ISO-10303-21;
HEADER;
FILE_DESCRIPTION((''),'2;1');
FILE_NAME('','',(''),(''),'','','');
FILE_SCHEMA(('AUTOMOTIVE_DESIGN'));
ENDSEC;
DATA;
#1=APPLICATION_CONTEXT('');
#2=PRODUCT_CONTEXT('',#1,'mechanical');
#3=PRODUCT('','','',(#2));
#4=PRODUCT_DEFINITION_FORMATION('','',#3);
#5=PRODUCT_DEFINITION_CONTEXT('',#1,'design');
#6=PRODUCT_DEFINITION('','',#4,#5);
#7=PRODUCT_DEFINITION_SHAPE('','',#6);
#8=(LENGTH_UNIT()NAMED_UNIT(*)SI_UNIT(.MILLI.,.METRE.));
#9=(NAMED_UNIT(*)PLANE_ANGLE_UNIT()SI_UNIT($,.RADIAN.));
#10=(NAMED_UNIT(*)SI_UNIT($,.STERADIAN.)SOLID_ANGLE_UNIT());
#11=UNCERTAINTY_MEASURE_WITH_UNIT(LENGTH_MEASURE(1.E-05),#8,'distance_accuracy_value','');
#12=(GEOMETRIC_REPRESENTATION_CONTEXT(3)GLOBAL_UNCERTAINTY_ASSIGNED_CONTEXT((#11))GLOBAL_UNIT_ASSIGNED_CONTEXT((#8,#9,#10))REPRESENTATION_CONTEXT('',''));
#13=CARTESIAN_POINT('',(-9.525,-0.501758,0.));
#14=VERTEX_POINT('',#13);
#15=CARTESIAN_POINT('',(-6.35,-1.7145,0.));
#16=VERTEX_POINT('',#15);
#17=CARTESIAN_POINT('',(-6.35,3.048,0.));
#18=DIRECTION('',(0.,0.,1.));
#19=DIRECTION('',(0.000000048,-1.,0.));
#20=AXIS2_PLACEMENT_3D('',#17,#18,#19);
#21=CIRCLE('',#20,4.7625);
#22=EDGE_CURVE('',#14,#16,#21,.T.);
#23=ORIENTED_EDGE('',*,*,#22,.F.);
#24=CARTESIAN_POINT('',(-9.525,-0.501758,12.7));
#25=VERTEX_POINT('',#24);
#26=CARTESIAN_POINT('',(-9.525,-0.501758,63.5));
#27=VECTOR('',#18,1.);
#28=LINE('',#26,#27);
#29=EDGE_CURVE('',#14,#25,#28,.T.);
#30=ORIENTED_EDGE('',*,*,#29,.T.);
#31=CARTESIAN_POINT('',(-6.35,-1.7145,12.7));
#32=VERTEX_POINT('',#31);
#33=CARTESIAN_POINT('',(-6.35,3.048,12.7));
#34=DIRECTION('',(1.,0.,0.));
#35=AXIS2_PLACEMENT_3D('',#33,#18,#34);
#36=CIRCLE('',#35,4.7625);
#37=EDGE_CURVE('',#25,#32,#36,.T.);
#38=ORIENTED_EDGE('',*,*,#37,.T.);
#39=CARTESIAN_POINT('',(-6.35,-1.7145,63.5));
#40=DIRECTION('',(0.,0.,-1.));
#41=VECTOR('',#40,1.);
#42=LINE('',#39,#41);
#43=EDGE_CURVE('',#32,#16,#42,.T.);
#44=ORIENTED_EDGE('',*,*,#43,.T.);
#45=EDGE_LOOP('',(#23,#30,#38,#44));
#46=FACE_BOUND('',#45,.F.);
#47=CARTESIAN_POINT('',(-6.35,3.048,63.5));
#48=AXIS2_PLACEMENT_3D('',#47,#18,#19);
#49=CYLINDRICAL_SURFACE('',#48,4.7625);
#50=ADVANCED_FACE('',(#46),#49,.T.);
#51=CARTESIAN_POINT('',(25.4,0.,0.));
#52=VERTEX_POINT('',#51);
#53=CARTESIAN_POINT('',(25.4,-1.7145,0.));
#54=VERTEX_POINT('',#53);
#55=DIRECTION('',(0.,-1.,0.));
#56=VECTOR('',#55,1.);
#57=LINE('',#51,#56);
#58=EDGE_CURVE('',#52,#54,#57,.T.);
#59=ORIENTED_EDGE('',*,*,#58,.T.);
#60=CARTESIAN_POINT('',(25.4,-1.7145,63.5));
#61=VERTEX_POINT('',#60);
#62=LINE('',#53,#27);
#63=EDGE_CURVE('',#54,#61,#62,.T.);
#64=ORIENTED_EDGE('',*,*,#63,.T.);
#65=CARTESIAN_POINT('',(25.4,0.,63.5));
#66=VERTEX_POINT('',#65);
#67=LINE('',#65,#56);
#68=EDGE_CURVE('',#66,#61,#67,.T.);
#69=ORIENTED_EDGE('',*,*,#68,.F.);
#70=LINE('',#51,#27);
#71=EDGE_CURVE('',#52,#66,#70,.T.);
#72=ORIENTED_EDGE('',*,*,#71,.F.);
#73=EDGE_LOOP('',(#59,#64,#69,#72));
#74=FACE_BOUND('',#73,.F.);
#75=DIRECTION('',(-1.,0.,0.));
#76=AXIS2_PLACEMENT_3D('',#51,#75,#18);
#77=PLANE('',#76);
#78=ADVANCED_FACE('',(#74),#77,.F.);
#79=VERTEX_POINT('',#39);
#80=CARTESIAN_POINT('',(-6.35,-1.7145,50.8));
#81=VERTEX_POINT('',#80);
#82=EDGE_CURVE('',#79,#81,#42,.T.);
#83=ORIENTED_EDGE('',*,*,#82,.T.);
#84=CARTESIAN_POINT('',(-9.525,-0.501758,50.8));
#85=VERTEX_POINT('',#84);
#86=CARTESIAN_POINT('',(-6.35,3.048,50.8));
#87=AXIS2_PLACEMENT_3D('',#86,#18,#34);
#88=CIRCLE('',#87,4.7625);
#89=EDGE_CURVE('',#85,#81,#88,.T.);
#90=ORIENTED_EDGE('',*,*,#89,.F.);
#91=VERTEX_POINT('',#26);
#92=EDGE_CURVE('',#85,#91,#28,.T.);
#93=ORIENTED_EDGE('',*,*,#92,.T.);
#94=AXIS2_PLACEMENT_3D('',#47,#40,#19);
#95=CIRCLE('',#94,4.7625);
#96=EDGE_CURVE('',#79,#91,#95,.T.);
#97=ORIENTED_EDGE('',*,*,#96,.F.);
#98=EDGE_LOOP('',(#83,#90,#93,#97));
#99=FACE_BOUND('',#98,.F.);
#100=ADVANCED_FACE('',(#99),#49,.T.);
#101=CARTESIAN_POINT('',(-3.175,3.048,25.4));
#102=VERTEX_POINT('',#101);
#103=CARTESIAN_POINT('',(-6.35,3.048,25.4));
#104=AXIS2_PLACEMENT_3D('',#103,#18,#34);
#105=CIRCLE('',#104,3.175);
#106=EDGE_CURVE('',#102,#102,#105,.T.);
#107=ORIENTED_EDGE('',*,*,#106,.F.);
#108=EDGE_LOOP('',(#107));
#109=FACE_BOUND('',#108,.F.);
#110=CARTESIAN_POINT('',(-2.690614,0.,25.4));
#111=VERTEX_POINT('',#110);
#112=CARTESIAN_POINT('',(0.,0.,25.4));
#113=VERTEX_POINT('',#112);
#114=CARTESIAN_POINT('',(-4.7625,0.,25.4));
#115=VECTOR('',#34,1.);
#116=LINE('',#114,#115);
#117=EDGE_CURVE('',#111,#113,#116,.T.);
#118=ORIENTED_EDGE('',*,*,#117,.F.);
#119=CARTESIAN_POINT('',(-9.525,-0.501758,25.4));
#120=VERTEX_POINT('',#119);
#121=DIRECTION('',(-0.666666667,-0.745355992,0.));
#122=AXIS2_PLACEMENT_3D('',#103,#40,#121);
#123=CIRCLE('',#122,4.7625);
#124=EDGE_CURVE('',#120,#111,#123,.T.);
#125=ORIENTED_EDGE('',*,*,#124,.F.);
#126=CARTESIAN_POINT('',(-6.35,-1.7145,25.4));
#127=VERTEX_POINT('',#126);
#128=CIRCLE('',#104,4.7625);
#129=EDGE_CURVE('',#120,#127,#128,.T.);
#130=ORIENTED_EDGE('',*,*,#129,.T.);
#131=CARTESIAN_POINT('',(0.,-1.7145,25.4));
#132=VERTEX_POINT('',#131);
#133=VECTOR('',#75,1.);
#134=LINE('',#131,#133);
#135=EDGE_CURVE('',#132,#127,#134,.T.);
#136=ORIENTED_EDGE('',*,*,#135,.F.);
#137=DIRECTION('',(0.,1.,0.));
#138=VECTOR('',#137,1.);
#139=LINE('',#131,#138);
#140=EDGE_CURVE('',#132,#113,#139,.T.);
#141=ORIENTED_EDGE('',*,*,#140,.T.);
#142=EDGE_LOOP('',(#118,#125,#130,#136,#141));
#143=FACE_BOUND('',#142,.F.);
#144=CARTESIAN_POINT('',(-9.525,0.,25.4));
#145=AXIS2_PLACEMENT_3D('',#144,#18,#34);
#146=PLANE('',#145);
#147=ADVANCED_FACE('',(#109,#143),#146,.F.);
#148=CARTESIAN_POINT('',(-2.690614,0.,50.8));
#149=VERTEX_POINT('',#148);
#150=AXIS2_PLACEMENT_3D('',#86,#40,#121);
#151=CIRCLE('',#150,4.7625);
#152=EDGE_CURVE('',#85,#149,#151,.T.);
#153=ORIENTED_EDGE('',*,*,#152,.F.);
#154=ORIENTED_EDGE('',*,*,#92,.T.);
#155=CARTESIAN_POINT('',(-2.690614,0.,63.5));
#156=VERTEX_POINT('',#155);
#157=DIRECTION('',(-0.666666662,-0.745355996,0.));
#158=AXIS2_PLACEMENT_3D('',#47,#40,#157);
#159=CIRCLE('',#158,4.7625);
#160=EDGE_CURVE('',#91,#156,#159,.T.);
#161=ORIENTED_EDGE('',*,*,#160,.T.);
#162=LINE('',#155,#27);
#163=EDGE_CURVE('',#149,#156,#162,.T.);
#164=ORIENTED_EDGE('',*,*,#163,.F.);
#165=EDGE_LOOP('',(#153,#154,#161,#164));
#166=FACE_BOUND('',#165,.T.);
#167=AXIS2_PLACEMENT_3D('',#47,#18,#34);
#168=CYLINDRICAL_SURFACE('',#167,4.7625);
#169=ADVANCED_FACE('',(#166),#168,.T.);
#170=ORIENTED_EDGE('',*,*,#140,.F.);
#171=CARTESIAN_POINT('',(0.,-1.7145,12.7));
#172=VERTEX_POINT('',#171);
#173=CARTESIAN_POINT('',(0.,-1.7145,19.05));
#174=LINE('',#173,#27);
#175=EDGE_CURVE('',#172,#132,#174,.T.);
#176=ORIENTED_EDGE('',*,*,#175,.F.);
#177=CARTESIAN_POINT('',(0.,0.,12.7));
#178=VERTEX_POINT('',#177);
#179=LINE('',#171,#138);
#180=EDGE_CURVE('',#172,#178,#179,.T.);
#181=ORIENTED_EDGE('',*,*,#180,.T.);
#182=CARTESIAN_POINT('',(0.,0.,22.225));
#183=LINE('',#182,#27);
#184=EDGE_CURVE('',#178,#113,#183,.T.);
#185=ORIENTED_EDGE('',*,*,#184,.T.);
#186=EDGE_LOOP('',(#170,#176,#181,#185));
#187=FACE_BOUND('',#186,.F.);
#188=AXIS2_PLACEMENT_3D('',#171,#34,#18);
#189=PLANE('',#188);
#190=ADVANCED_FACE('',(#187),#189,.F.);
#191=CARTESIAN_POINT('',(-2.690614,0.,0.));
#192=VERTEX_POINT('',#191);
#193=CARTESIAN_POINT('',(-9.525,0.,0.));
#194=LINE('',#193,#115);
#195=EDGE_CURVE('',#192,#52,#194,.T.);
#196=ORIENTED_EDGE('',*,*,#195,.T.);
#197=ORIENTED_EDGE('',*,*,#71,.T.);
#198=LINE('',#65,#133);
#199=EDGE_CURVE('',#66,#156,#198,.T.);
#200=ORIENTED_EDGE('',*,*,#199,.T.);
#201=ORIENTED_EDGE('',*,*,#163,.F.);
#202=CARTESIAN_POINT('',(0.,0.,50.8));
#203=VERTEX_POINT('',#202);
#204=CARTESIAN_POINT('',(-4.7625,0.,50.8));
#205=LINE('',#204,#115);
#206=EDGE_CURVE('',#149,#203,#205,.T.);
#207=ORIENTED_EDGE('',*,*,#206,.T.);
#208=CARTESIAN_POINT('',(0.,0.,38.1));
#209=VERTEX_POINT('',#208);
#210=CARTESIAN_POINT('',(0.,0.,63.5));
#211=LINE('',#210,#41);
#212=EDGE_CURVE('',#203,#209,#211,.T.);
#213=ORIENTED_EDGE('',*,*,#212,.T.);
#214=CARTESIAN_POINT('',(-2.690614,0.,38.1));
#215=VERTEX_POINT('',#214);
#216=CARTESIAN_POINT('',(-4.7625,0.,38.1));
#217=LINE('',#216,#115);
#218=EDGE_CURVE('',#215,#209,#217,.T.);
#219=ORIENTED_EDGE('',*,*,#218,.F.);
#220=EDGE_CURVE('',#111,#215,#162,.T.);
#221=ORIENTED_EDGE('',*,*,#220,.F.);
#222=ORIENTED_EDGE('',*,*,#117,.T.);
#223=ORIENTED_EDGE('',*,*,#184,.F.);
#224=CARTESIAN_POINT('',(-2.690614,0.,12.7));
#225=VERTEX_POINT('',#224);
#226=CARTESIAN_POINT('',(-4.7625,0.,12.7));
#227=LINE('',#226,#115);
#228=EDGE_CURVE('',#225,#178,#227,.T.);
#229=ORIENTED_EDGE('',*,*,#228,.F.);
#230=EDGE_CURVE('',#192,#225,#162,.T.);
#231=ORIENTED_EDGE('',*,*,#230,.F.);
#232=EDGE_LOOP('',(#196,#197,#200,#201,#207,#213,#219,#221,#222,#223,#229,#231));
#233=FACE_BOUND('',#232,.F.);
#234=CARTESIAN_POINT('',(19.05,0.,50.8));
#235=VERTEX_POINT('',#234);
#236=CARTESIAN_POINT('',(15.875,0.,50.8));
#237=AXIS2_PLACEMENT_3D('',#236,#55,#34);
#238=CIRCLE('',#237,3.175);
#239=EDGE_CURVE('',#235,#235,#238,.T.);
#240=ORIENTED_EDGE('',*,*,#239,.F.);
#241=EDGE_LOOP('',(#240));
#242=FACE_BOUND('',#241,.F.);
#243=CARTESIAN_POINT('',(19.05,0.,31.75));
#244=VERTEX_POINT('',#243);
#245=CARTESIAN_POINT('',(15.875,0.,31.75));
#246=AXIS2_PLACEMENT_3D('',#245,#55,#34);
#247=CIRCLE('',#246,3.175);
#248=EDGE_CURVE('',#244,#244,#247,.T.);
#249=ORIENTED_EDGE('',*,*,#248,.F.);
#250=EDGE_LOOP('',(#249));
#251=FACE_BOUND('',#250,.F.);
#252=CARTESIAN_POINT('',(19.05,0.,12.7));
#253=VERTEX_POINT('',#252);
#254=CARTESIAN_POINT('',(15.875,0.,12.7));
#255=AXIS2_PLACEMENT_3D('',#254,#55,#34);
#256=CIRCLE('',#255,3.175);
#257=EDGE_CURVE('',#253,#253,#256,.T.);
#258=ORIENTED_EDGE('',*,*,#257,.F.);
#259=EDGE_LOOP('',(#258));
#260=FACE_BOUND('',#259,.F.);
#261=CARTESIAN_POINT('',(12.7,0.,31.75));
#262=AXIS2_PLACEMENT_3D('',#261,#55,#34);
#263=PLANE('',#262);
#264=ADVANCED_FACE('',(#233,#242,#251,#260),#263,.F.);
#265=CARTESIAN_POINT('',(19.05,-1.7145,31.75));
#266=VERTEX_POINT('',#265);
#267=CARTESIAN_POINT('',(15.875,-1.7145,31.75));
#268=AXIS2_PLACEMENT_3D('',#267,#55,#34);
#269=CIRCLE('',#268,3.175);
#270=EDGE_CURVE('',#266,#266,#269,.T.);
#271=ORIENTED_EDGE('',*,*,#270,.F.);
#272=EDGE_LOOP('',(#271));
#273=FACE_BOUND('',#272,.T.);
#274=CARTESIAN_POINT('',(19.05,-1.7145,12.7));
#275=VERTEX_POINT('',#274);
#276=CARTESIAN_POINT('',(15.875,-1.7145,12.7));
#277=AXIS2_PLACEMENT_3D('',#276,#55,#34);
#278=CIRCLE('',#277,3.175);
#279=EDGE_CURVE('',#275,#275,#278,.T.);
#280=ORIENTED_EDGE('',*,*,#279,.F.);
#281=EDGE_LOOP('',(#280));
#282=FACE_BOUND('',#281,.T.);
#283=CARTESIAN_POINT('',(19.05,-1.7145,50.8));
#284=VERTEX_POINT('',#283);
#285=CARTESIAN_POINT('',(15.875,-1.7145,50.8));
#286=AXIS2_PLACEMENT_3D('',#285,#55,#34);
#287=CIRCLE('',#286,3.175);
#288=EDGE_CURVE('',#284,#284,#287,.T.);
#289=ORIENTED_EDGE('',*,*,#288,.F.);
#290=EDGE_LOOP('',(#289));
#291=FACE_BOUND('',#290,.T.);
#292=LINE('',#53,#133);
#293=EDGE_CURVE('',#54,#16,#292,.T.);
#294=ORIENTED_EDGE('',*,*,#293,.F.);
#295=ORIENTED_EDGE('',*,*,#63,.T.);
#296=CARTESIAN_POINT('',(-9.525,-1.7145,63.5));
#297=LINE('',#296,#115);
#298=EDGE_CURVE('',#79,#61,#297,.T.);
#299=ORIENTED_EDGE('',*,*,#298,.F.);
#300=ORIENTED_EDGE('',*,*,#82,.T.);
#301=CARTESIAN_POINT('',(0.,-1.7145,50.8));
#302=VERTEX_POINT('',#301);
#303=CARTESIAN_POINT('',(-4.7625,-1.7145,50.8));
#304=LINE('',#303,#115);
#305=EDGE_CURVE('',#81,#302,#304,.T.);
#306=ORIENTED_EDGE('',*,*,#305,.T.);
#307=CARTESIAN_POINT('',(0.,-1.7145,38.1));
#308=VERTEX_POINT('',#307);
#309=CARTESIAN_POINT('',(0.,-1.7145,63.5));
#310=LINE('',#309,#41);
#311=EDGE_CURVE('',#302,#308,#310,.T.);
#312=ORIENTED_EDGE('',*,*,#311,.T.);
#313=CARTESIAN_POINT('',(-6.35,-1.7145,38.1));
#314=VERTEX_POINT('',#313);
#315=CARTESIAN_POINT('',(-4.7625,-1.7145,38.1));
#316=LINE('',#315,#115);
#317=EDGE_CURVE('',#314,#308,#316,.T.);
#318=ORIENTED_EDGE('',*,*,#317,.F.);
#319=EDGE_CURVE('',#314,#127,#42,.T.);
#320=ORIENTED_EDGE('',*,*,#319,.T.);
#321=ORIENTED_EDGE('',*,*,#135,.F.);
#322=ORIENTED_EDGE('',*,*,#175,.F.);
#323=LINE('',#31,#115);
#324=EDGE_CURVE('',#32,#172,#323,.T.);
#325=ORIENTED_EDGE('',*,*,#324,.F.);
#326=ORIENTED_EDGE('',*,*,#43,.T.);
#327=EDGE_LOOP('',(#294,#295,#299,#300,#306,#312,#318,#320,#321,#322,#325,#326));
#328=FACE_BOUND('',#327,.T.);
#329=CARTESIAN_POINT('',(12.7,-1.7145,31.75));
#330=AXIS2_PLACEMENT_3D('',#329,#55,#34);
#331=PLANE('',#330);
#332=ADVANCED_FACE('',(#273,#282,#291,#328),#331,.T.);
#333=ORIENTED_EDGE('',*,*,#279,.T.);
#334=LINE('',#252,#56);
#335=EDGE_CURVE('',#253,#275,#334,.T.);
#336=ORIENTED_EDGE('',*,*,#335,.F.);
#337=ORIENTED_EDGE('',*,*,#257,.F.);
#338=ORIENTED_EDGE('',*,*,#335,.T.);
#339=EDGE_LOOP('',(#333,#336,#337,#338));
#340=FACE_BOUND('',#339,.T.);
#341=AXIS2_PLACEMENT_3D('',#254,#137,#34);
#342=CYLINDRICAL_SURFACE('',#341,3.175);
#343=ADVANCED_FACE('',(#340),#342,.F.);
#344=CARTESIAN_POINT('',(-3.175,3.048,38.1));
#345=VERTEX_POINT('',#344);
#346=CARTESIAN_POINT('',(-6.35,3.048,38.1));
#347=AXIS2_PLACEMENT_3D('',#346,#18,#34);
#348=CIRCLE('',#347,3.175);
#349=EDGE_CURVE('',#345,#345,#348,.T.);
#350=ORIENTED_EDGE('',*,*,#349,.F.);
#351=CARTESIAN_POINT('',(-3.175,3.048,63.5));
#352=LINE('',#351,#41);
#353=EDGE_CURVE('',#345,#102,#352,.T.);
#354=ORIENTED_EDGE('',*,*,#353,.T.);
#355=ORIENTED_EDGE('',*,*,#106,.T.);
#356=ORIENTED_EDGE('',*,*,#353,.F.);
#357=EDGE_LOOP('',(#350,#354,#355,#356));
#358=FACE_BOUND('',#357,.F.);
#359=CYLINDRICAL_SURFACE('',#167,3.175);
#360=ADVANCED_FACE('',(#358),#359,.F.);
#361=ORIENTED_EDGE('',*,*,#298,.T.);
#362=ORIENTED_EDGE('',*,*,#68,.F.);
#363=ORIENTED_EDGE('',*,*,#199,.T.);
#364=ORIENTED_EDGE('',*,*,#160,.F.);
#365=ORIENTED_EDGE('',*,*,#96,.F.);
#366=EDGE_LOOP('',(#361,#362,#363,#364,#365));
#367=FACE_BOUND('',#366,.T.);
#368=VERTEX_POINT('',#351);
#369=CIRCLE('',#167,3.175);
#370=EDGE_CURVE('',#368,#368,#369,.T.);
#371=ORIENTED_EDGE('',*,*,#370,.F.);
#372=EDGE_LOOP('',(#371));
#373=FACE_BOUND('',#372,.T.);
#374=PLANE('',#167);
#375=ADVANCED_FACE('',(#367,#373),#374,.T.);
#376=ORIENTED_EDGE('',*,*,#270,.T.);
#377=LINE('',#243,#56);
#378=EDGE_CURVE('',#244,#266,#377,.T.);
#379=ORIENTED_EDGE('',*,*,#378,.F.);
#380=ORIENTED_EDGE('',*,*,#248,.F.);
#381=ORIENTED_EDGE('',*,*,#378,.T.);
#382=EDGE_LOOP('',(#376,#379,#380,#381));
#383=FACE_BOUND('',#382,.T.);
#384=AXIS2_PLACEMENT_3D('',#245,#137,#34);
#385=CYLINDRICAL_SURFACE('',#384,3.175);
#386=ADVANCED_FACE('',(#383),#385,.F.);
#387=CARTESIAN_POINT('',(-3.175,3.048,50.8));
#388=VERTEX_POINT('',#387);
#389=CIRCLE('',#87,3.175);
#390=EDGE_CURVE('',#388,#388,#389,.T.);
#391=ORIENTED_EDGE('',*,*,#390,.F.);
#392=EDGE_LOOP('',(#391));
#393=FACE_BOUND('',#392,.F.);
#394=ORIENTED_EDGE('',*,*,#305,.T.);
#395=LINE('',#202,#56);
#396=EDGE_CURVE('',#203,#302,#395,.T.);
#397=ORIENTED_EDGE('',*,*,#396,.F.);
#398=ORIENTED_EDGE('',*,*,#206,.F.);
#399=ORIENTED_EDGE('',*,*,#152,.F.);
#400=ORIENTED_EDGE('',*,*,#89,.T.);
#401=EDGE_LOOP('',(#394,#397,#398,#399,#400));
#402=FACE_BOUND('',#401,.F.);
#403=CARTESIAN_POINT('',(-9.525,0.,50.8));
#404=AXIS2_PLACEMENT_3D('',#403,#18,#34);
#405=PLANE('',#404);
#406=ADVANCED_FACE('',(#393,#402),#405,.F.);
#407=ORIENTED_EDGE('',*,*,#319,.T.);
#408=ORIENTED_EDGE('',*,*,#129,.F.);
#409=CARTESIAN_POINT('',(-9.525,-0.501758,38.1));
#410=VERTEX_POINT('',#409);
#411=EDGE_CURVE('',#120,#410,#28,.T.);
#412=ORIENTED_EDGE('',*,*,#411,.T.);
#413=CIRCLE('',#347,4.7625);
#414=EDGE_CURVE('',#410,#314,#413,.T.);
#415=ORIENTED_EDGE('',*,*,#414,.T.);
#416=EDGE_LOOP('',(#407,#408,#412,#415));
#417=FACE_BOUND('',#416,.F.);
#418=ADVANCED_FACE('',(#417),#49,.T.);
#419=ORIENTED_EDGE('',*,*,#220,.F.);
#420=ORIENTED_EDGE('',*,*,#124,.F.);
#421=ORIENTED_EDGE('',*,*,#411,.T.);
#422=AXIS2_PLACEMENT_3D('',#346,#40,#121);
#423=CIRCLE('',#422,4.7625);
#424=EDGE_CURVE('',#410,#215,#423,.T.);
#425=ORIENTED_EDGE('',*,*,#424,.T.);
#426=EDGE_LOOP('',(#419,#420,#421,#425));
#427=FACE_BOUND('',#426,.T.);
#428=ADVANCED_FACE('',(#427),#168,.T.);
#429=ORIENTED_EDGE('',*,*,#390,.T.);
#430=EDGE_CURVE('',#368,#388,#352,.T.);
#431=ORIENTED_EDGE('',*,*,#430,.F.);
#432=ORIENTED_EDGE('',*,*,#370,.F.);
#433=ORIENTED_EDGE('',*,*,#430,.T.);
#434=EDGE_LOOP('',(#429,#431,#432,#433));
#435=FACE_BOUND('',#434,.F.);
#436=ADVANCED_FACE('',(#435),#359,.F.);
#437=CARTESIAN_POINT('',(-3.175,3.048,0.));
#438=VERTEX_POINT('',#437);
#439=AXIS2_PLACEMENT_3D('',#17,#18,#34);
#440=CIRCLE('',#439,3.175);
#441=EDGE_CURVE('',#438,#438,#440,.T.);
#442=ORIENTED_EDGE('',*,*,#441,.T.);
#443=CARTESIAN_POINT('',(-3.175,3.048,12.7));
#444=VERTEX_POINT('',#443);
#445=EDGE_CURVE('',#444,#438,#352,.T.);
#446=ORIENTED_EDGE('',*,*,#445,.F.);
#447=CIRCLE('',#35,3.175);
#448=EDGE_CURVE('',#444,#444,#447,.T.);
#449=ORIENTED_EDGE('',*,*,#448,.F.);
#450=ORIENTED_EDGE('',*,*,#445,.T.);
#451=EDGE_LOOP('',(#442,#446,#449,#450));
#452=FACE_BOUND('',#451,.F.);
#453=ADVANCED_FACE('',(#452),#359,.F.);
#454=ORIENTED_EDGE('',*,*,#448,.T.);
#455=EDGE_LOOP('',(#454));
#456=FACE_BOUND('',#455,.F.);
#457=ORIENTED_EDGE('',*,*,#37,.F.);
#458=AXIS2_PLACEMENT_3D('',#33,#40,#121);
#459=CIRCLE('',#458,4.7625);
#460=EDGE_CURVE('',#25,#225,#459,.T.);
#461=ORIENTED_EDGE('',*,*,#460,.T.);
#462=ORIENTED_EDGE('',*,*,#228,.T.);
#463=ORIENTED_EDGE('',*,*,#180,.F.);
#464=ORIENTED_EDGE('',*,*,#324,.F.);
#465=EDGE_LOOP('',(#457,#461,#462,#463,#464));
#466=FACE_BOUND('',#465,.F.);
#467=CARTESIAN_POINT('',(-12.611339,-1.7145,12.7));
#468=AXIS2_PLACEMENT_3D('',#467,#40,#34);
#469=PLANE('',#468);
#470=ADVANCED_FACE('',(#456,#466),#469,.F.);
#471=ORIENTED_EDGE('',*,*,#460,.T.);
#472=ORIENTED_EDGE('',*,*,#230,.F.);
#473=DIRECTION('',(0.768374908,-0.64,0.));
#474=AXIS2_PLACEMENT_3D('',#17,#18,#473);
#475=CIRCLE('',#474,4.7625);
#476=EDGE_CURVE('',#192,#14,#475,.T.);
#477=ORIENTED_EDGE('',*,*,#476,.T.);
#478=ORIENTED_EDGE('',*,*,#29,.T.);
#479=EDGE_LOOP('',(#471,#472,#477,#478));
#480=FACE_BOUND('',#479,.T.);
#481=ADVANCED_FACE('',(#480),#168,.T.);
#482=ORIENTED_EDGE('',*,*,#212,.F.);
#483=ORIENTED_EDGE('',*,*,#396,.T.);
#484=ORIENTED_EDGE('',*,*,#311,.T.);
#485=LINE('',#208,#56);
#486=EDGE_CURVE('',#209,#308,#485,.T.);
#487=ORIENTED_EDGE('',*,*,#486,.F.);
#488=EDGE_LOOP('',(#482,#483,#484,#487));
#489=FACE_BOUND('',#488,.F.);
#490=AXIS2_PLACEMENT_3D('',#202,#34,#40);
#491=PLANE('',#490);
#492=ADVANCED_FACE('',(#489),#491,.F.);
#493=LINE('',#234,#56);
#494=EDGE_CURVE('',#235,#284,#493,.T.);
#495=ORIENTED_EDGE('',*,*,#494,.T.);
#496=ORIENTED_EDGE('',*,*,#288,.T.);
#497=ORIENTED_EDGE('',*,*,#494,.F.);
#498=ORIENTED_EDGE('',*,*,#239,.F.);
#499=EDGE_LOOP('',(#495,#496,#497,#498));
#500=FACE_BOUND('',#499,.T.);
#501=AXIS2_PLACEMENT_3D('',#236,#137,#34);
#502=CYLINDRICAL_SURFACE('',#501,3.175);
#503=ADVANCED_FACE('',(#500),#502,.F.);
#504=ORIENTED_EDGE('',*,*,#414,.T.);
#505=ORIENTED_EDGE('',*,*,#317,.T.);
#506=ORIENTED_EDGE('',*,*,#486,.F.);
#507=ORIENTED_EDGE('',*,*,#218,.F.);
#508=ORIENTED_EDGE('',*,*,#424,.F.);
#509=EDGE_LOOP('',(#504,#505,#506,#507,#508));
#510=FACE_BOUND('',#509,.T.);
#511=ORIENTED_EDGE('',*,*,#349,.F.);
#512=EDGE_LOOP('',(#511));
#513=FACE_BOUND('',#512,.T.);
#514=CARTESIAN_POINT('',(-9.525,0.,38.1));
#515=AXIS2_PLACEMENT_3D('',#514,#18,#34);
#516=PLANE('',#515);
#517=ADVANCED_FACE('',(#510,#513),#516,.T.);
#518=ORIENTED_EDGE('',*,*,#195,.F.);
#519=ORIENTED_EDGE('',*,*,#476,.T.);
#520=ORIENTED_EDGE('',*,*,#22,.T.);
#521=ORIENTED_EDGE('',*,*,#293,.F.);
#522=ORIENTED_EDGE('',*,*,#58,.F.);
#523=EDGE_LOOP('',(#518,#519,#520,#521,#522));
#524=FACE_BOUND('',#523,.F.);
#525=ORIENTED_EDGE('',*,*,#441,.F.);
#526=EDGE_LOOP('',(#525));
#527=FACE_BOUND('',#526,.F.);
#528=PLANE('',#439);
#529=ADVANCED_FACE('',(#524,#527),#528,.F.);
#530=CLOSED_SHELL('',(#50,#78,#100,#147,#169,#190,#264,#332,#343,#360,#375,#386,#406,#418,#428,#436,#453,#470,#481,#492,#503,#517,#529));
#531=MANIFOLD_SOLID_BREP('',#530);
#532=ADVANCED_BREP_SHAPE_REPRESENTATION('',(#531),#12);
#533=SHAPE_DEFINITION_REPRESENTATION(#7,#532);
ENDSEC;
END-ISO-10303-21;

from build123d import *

# Parameters (mm, degrees)
F0_R     = 3.175
F0_W     = 9.525
F0_H     = 12.7
F1_DEPTH = 1.7145
F2_R     = 4.7625
F3_DEPTH = 63.5
F4_R     = 3.175
F5_DEPTH = 63.501
F6_W     = 12.38743
F6_H     = 12.7
F6_W_2   = 12.611339
F7_DEPTH = 25.4


with BuildPart() as f1:
    # F0 (on Front) → F1 (new body)
    with BuildSketch(Plane.XZ):
        Polygon((0, 12.7), (0, 0), (25.4, 0), (25.4, 63.5), (0, 63.5), (0, 50.8), (0, 38.1), (0, 25.4), align=None)
        with Locations((15.875, 12.7)):
            Circle(F0_R, mode=Mode.SUBTRACT)
        with Locations((15.875, 31.75)):
            Circle(F0_R, mode=Mode.SUBTRACT)
        with Locations((15.875, 50.8)):
            Circle(F0_R, mode=Mode.SUBTRACT)
        with Locations((-4.7625, 6.35)):
            Rectangle(F0_W, F0_H)
        with Locations((-4.7625, 31.75)):
            Rectangle(F0_W, F0_H)
        with Locations((-4.7625, 57.15)):
            Rectangle(F0_W, F0_H)
    extrude(amount=F1_DEPTH)

    # F2 (on face) → F3 (join)
    with BuildSketch(Plane.XY.offset(63.5)):
        with Locations((-6.35, 3.048)):
            Circle(F2_R)
    extrude(amount=-F3_DEPTH)

    # F4 (on face) → F5 (cut, through all)
    with BuildSketch(Plane.XY.offset(63.5)):
        with BuildLine():
            ThreePointArc((-6.35, -1.7145), (-8.049365, -1.400996), (-9.525, -0.501758))
            Line((-9.525, -0.501758), (-9.525, -1.7145))
            Line((-9.525, -1.7145), (-6.35, -1.7145))
        make_face()
        with Locations((-6.35, 3.048)):
            Circle(F4_R)
    extrude(amount=-F5_DEPTH, mode=Mode.SUBTRACT)

    # F6 (on face) → F7 (cut)
    with BuildSketch(Plane.XZ.offset(1.7145)):
        with Locations((-6.193715, 44.45)):
            Rectangle(F6_W, F6_H)
        with Locations((-6.305669, 19.05)):
            Rectangle(F6_W_2, F6_H)
    extrude(amount=-F7_DEPTH, mode=Mode.SUBTRACT)


solid = f1.part
